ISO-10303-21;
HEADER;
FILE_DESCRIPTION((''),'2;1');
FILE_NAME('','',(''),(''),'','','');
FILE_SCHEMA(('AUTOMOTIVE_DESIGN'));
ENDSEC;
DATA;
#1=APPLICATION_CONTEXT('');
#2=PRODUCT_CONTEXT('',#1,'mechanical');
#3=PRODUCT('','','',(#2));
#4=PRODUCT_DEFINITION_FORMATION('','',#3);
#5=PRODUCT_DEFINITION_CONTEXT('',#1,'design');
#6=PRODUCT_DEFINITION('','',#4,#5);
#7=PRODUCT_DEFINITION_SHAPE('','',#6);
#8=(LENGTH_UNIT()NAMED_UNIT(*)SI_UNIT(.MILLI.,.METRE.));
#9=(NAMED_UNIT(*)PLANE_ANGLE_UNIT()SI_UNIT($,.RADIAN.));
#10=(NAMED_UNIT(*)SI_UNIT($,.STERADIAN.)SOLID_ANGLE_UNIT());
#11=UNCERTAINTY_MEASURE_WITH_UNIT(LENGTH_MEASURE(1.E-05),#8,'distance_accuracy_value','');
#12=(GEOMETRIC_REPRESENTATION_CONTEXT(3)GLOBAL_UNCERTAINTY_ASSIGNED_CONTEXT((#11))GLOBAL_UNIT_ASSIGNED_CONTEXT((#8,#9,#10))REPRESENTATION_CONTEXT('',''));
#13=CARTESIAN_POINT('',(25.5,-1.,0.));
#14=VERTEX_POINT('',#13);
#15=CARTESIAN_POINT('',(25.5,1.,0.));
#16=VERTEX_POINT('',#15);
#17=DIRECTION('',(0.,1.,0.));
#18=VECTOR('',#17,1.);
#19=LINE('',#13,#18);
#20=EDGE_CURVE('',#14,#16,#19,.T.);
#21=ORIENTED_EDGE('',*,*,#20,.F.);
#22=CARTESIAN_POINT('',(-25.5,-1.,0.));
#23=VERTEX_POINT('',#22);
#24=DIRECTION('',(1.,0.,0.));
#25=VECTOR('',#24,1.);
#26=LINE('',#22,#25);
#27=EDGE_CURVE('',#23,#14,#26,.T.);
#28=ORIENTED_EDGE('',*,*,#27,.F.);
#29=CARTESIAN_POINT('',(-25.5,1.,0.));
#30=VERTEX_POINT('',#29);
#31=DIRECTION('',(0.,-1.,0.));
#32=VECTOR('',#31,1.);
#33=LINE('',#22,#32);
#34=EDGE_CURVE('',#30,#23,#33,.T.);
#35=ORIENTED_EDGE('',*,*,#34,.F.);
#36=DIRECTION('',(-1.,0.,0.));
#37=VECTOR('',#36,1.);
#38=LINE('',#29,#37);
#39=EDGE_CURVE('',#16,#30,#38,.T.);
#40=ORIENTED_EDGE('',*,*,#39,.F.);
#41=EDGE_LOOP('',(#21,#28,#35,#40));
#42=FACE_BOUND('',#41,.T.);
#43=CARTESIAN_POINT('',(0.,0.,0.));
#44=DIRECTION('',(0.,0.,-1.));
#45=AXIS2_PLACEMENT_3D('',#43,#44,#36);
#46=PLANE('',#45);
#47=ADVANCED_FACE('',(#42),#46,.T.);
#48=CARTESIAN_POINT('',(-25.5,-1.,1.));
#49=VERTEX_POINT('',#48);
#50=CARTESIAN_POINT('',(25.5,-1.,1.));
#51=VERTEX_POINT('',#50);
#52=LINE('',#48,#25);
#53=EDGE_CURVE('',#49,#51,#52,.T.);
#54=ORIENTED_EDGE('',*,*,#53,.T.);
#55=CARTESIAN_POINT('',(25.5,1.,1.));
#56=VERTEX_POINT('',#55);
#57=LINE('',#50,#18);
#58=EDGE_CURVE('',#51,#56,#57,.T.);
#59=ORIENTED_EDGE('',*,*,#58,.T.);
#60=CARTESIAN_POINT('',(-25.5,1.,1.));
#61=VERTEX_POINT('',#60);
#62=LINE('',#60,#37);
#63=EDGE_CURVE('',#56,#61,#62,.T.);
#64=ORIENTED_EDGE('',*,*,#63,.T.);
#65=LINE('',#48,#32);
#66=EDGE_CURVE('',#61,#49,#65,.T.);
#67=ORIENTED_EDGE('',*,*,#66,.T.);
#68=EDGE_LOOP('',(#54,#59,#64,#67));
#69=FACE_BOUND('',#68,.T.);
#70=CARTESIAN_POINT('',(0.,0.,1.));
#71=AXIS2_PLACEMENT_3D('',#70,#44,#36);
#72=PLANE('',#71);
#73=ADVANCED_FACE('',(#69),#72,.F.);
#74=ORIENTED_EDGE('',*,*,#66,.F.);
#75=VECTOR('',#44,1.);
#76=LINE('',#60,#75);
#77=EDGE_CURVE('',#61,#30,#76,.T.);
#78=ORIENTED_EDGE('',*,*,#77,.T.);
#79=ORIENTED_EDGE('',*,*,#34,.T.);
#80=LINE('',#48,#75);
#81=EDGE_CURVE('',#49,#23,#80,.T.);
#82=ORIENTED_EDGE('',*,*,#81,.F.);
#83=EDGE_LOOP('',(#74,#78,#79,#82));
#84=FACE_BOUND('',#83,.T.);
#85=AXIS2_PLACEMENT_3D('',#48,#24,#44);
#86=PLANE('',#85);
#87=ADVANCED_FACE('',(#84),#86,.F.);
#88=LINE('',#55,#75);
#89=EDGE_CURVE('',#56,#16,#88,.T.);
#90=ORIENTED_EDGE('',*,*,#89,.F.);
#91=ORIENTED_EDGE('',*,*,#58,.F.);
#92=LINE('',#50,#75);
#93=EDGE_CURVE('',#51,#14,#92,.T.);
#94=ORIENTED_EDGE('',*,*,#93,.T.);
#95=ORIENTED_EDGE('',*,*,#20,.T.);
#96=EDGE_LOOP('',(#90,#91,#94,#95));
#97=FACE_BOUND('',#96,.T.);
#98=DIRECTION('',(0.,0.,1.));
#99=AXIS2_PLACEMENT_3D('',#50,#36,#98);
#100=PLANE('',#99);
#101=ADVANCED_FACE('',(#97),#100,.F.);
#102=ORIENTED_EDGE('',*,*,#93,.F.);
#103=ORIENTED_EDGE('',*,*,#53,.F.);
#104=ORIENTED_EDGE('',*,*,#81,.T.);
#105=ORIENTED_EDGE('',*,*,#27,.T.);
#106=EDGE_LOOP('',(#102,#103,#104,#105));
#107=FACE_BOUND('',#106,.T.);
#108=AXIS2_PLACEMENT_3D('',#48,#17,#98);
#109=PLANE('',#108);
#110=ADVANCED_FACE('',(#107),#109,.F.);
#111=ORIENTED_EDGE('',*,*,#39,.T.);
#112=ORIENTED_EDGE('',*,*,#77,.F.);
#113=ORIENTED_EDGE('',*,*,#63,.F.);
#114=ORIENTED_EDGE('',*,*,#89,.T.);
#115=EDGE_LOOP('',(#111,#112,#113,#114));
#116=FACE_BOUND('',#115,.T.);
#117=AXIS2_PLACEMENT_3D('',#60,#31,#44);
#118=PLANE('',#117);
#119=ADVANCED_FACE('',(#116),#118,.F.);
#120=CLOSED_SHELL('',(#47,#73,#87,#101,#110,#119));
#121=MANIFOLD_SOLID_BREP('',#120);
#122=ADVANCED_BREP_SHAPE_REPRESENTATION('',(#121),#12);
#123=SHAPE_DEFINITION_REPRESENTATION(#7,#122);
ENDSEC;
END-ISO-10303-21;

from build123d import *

# Parameters (mm, degrees)
ESQUISSE1_W        = 51
ESQUISSE1_H        = 2
BOSS_EXTRU_1_DEPTH = 1


with BuildPart() as part:
    # Esquisse1 → Boss.-Extru.1 (new body)
    with BuildSketch(Plane.XY):
        Rectangle(ESQUISSE1_W, ESQUISSE1_H)
    extrude(amount=BOSS_EXTRU_1_DEPTH)


solid = part.part
